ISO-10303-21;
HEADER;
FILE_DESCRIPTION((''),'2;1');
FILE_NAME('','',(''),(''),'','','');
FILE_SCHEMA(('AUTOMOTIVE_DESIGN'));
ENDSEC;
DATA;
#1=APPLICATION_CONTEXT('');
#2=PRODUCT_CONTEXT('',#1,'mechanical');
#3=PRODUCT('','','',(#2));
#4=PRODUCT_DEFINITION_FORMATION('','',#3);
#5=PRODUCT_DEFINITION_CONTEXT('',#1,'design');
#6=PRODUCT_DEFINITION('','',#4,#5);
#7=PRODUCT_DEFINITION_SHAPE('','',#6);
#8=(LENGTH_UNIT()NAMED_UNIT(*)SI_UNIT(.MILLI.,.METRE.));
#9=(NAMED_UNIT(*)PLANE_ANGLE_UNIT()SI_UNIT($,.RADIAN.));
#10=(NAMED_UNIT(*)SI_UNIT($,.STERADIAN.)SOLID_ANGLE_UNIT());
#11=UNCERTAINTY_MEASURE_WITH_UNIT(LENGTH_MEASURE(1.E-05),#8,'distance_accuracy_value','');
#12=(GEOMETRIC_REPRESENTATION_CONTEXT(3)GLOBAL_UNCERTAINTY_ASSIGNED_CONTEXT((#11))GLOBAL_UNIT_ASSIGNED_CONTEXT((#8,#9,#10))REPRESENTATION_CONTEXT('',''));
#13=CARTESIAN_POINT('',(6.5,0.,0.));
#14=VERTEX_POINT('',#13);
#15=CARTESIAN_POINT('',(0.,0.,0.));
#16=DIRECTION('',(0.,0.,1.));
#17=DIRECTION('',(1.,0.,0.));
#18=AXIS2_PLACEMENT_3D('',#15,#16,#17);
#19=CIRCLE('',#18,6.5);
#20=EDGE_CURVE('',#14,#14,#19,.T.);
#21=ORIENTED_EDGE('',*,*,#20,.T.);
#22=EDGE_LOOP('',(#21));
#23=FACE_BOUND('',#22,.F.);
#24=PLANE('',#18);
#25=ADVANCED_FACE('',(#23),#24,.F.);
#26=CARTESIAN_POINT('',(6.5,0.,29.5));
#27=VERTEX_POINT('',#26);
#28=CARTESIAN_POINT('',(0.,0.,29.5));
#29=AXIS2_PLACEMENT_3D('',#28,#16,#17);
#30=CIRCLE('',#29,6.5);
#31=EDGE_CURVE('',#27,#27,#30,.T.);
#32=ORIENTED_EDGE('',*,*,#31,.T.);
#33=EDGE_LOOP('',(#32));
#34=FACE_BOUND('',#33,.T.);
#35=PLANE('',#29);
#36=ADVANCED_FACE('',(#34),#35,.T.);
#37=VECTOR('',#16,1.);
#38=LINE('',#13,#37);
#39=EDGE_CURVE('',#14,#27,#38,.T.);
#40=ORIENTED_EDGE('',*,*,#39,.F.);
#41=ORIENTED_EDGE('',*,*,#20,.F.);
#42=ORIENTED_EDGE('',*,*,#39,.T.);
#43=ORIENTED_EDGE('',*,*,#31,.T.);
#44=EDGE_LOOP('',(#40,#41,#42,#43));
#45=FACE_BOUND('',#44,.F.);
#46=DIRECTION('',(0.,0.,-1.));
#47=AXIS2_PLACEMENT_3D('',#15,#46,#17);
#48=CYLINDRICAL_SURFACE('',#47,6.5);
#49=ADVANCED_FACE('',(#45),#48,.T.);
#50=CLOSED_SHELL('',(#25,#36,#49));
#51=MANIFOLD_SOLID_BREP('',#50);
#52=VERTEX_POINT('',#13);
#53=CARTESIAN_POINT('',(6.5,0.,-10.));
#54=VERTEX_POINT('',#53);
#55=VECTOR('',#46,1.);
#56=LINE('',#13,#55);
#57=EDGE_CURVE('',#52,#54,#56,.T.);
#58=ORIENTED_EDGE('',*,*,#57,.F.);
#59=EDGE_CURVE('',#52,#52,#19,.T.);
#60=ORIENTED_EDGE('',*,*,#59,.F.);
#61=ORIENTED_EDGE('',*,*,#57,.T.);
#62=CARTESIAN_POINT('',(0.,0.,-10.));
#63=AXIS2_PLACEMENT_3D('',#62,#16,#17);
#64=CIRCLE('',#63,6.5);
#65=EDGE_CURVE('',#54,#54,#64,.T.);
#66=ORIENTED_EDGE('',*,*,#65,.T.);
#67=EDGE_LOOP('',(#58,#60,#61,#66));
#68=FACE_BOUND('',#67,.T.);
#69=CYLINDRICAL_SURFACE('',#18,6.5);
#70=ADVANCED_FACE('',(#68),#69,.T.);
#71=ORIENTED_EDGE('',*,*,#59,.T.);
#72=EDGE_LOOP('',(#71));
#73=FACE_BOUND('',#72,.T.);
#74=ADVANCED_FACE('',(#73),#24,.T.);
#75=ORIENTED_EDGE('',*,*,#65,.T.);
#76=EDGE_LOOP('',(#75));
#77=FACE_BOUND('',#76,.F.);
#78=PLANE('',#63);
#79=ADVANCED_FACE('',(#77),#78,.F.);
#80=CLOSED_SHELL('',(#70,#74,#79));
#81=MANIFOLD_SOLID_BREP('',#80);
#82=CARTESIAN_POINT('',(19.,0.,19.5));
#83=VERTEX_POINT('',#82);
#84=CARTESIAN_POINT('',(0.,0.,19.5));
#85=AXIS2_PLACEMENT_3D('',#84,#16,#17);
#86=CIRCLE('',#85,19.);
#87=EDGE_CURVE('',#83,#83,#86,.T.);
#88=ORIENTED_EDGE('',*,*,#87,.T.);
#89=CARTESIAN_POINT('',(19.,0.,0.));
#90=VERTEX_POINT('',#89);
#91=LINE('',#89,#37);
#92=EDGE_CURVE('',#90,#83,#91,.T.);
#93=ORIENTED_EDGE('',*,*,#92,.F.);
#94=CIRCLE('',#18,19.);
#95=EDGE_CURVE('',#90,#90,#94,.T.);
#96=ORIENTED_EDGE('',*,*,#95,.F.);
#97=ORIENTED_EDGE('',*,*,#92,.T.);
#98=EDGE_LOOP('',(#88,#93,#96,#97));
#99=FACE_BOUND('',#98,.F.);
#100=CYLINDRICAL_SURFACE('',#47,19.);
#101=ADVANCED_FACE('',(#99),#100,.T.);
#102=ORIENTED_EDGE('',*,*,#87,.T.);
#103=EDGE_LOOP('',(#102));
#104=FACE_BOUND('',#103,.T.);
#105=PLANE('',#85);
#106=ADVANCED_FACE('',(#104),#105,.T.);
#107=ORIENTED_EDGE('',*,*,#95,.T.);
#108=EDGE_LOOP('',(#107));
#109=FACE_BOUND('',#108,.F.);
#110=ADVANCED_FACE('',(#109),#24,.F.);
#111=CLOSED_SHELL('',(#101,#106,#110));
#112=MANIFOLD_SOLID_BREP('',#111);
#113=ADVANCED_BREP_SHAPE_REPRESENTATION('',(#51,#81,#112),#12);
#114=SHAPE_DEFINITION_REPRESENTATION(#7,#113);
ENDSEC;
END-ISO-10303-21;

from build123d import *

# Parameters (mm, degrees)
F0_R     = 19
F1_DEPTH = 19.5
F2_R     = 6.5
F3_DEPTH = 29.5
F4_DEPTH = 10


with BuildPart() as f1:
    # F0 (on Top) → F1 (new body)
    with BuildSketch(Plane.XY):
        Circle(F0_R)
    extrude(amount=F1_DEPTH)


with BuildPart() as f3:
    # F2 (on Top) → F3 (new body)
    with BuildSketch(Plane.XY):
        Circle(F2_R)
    extrude(amount=F3_DEPTH)


with BuildPart() as f4:
    # F2 (on Top) → F4 (new body)
    with BuildSketch(Plane.XY):
        Circle(F2_R)
    extrude(amount=-F4_DEPTH)


solid = Compound([f1.part, f3.part, f4.part])
